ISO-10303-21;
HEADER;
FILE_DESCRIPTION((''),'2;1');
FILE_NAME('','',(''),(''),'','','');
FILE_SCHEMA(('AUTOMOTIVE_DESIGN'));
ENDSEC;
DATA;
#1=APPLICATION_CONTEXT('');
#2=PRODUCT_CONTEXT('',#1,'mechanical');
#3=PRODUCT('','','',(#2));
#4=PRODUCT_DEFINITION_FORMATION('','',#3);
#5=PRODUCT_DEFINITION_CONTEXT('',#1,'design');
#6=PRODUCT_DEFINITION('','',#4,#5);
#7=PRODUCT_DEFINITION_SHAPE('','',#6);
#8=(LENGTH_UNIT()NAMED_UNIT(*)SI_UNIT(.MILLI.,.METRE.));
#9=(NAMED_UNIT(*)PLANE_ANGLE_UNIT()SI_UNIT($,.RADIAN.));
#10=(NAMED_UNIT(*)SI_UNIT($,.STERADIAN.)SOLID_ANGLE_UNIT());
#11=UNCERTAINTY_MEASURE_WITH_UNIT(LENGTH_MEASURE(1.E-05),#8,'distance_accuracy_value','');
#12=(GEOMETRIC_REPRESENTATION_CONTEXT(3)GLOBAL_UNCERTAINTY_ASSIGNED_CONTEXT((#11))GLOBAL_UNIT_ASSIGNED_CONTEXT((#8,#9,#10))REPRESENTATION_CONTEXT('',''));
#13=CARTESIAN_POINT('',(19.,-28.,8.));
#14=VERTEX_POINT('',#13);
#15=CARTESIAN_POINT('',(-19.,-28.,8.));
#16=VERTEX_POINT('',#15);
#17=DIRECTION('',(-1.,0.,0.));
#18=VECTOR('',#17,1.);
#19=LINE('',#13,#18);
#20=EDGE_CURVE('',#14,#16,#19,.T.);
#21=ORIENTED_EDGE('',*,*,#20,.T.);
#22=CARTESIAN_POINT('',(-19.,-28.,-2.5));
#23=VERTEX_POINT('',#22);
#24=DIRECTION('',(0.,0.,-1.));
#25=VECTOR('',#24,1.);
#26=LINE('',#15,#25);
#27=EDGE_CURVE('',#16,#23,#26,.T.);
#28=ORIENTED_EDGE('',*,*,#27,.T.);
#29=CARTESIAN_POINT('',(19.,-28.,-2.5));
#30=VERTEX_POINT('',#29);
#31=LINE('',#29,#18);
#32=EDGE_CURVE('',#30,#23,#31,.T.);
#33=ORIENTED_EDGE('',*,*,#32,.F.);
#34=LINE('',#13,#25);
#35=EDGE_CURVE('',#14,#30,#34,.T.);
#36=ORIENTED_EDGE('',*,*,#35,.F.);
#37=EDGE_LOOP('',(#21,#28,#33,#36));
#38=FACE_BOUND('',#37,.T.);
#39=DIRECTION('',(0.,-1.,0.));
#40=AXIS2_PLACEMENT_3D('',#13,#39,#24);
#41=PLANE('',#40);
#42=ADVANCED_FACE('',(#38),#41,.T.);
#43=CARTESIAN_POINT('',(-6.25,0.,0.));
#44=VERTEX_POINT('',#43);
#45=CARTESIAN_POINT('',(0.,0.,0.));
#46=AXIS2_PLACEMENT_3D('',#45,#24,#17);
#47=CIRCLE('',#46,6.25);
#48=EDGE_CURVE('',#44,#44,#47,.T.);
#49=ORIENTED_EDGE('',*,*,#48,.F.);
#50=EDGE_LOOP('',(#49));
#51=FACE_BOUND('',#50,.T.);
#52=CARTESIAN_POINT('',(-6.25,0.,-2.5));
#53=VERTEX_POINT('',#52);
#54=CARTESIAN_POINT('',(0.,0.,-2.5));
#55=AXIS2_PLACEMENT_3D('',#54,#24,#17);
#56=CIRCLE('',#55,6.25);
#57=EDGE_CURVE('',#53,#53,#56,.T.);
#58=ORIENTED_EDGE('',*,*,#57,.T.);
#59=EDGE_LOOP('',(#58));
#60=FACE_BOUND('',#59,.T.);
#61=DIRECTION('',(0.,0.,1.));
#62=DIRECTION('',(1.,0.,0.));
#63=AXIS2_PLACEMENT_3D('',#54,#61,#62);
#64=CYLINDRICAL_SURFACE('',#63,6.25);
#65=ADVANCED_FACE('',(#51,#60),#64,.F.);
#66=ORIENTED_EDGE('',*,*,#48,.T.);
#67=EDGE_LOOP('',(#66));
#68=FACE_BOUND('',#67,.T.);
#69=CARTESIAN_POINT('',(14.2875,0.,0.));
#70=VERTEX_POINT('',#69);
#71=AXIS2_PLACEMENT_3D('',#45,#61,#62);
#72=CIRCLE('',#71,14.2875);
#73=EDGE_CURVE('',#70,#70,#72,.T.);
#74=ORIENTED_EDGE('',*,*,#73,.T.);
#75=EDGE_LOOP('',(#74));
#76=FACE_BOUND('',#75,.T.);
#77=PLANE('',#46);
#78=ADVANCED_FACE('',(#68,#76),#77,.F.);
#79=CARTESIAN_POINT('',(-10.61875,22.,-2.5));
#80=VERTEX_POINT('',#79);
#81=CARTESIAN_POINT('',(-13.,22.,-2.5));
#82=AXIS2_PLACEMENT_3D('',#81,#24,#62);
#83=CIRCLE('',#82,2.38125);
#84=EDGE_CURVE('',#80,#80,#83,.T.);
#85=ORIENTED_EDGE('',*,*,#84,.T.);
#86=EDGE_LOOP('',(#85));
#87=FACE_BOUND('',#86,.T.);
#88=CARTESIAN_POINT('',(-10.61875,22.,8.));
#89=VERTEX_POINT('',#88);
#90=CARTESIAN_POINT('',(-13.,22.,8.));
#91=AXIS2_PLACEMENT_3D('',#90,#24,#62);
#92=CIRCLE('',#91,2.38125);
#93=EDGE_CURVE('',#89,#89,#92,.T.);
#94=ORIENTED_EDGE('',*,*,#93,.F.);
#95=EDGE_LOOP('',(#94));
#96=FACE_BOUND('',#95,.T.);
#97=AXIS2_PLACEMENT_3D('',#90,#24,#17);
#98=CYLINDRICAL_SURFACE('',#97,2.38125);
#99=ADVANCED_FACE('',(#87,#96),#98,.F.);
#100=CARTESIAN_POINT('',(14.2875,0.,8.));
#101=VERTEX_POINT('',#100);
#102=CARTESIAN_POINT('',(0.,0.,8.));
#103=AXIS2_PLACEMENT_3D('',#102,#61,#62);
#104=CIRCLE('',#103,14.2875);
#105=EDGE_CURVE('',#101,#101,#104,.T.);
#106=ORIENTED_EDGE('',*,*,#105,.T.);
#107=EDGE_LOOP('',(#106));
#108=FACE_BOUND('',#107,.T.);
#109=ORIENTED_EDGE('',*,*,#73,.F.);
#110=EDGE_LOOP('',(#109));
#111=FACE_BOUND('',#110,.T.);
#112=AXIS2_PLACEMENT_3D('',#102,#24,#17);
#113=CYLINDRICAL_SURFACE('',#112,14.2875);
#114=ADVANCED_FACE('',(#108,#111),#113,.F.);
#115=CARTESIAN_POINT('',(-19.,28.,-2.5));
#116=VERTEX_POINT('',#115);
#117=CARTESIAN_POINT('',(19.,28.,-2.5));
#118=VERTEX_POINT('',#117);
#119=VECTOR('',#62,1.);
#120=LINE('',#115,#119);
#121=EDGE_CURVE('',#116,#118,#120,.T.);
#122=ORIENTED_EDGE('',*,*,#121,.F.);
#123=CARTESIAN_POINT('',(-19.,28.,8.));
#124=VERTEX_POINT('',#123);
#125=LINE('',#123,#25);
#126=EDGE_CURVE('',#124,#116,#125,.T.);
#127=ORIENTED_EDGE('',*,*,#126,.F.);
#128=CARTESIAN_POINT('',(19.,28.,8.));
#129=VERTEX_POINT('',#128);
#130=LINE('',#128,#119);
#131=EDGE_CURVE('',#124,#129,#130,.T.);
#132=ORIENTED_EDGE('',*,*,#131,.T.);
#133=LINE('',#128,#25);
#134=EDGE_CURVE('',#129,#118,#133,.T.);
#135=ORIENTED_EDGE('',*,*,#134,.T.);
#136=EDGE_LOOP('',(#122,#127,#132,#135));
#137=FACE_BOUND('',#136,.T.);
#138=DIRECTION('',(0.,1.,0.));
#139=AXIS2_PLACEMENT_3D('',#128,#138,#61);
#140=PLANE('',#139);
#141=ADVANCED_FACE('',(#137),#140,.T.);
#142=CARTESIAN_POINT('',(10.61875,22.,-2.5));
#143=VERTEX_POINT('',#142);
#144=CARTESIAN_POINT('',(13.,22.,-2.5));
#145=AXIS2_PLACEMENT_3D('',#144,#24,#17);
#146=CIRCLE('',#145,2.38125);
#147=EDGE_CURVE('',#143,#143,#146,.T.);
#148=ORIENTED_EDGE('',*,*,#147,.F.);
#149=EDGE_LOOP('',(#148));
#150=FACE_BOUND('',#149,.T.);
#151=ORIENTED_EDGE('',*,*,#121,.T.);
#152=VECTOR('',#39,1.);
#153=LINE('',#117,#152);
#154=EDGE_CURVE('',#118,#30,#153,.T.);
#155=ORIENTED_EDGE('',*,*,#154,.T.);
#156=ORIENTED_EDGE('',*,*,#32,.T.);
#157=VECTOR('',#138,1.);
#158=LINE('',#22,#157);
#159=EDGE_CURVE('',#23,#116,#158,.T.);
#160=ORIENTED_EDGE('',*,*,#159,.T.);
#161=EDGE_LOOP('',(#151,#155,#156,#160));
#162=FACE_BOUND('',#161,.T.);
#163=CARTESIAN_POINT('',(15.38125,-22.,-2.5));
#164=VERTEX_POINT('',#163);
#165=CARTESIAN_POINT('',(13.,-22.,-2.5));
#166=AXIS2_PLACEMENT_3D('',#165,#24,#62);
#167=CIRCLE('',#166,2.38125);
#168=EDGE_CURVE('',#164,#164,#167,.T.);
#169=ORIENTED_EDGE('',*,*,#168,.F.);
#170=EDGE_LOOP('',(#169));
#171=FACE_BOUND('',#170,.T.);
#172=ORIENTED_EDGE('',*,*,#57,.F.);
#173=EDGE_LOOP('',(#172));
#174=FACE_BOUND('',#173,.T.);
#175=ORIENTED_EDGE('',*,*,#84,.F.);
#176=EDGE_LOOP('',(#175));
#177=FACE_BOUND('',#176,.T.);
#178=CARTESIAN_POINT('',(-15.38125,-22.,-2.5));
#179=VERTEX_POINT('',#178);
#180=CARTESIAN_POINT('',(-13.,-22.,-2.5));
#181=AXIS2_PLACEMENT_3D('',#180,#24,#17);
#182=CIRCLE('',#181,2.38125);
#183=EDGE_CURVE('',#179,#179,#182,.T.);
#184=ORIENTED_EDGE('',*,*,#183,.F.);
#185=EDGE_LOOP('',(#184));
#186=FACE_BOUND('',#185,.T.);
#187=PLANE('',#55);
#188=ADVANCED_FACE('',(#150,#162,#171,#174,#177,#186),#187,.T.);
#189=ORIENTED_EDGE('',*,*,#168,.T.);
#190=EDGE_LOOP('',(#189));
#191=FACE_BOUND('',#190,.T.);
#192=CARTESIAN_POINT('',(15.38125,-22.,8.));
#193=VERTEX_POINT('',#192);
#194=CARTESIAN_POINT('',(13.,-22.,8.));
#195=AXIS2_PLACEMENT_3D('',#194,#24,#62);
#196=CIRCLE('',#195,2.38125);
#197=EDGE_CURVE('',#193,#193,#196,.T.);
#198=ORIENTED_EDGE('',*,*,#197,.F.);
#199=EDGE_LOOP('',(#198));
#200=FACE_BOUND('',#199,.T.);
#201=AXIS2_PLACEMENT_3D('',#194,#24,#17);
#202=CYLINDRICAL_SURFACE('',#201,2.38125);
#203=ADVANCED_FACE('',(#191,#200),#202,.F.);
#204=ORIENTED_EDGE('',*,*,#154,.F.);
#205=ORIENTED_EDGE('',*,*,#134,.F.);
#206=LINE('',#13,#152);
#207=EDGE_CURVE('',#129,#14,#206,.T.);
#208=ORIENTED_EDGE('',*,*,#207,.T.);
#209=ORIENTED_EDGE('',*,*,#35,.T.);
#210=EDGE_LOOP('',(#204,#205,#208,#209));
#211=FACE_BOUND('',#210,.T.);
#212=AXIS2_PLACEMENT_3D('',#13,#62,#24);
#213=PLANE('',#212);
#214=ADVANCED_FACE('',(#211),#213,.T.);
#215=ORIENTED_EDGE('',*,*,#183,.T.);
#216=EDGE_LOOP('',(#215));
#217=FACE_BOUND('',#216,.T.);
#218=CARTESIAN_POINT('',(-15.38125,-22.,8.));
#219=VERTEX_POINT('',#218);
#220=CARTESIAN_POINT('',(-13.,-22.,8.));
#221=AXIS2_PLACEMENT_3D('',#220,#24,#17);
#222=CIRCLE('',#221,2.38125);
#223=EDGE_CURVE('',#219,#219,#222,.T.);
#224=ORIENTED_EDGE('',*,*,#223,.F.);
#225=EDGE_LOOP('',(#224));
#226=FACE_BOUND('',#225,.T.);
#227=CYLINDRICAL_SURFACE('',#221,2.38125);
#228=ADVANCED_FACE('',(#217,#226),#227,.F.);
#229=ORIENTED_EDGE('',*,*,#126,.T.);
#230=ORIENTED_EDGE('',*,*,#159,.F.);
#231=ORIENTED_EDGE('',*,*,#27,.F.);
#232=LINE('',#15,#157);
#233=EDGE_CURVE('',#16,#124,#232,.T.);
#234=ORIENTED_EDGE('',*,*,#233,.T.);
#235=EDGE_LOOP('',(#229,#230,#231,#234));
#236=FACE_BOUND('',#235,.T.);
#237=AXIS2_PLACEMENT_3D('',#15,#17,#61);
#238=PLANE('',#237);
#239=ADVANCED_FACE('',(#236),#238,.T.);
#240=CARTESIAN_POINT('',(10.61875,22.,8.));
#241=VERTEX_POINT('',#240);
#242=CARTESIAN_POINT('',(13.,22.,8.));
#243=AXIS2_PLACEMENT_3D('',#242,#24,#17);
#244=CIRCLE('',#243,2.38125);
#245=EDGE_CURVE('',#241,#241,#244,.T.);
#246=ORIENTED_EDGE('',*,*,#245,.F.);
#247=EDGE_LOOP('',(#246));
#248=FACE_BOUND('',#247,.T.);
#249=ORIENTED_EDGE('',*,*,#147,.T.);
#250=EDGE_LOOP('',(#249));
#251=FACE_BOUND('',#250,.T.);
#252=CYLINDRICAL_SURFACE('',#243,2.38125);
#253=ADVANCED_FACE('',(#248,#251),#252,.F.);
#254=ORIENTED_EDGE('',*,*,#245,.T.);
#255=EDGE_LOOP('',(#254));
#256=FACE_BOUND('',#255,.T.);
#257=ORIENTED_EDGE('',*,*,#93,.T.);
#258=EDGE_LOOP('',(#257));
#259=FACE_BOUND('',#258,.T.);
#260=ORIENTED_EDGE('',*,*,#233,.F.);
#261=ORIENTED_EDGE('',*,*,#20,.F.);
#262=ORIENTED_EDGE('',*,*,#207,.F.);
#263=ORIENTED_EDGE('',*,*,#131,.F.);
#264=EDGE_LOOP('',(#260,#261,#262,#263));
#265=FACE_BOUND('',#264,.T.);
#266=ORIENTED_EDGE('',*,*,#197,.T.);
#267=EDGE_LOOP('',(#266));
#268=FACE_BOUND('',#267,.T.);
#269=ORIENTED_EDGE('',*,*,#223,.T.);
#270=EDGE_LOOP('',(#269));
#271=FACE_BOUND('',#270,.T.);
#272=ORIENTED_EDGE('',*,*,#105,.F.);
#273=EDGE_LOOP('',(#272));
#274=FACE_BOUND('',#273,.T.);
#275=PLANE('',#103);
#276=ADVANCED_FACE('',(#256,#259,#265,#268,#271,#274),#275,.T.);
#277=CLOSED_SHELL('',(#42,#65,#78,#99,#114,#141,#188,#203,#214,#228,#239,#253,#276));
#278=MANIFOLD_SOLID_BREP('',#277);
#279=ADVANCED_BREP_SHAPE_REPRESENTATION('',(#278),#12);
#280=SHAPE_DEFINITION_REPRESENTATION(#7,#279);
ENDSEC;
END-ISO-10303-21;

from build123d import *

# Parameters (mm, degrees)
CROQUIS1_R              = 18.2875
CROQUIS1_R_2            = 14.2875
SALIENTE_EXTRUIR1_DEPTH = 8
CROQUIS2_W              = 38
CROQUIS2_H              = 56
CROQUIS2_R              = 18.2875
SALIENTE_EXTRUIR2_DEPTH = 8
CROQUIS5_W              = 38
CROQUIS5_H              = 56
CROQUIS5_R              = 6.25
SALIENTE_EXTRUIR3_DEPTH = 2.5
CROQUIS7_R              = 2.38125
CORTAR_EXTRUIR3_DEPTH   = 11.5


with BuildPart() as part:
    # Croquis1 → Saliente-Extruir1 (new body)
    with BuildSketch(Plane.XY):
        Circle(CROQUIS1_R)
        Circle(CROQUIS1_R_2, mode=Mode.SUBTRACT)
    extrude(amount=SALIENTE_EXTRUIR1_DEPTH)

    # Croquis2 → Saliente-Extruir2 (add)
    with BuildSketch(Plane(origin=(0, 0, 0), x_dir=(-1, 0, 0), z_dir=(0, 0, -1))):
        Rectangle(CROQUIS2_W, CROQUIS2_H)
        Circle(CROQUIS2_R, mode=Mode.SUBTRACT)
    extrude(amount=-SALIENTE_EXTRUIR2_DEPTH)

    # Croquis5 → Saliente-Extruir3 (add)
    with BuildSketch(Plane(origin=(0, 0, 0), x_dir=(-1, 0, 0), z_dir=(0, 0, -1))):
        Rectangle(CROQUIS5_W, CROQUIS5_H)
        Circle(CROQUIS5_R, mode=Mode.SUBTRACT)
    extrude(amount=SALIENTE_EXTRUIR3_DEPTH)

    # Croquis7 → Cortar-Extruir3 (cut, through all)
    with BuildSketch(Plane(origin=(0, 0, -2.5), x_dir=(-1, 0, 0), z_dir=(0, 0, -1))):
        with Locations((-13, 22)):
            Circle(CROQUIS7_R)
        with Locations((13, 22)):
            Circle(CROQUIS7_R)
        with Locations((13, -22)):
            Circle(CROQUIS7_R)
        with Locations((-13, -22)):
            Circle(CROQUIS7_R)
    extrude(amount=-CORTAR_EXTRUIR3_DEPTH, mode=Mode.SUBTRACT)


solid = part.part
